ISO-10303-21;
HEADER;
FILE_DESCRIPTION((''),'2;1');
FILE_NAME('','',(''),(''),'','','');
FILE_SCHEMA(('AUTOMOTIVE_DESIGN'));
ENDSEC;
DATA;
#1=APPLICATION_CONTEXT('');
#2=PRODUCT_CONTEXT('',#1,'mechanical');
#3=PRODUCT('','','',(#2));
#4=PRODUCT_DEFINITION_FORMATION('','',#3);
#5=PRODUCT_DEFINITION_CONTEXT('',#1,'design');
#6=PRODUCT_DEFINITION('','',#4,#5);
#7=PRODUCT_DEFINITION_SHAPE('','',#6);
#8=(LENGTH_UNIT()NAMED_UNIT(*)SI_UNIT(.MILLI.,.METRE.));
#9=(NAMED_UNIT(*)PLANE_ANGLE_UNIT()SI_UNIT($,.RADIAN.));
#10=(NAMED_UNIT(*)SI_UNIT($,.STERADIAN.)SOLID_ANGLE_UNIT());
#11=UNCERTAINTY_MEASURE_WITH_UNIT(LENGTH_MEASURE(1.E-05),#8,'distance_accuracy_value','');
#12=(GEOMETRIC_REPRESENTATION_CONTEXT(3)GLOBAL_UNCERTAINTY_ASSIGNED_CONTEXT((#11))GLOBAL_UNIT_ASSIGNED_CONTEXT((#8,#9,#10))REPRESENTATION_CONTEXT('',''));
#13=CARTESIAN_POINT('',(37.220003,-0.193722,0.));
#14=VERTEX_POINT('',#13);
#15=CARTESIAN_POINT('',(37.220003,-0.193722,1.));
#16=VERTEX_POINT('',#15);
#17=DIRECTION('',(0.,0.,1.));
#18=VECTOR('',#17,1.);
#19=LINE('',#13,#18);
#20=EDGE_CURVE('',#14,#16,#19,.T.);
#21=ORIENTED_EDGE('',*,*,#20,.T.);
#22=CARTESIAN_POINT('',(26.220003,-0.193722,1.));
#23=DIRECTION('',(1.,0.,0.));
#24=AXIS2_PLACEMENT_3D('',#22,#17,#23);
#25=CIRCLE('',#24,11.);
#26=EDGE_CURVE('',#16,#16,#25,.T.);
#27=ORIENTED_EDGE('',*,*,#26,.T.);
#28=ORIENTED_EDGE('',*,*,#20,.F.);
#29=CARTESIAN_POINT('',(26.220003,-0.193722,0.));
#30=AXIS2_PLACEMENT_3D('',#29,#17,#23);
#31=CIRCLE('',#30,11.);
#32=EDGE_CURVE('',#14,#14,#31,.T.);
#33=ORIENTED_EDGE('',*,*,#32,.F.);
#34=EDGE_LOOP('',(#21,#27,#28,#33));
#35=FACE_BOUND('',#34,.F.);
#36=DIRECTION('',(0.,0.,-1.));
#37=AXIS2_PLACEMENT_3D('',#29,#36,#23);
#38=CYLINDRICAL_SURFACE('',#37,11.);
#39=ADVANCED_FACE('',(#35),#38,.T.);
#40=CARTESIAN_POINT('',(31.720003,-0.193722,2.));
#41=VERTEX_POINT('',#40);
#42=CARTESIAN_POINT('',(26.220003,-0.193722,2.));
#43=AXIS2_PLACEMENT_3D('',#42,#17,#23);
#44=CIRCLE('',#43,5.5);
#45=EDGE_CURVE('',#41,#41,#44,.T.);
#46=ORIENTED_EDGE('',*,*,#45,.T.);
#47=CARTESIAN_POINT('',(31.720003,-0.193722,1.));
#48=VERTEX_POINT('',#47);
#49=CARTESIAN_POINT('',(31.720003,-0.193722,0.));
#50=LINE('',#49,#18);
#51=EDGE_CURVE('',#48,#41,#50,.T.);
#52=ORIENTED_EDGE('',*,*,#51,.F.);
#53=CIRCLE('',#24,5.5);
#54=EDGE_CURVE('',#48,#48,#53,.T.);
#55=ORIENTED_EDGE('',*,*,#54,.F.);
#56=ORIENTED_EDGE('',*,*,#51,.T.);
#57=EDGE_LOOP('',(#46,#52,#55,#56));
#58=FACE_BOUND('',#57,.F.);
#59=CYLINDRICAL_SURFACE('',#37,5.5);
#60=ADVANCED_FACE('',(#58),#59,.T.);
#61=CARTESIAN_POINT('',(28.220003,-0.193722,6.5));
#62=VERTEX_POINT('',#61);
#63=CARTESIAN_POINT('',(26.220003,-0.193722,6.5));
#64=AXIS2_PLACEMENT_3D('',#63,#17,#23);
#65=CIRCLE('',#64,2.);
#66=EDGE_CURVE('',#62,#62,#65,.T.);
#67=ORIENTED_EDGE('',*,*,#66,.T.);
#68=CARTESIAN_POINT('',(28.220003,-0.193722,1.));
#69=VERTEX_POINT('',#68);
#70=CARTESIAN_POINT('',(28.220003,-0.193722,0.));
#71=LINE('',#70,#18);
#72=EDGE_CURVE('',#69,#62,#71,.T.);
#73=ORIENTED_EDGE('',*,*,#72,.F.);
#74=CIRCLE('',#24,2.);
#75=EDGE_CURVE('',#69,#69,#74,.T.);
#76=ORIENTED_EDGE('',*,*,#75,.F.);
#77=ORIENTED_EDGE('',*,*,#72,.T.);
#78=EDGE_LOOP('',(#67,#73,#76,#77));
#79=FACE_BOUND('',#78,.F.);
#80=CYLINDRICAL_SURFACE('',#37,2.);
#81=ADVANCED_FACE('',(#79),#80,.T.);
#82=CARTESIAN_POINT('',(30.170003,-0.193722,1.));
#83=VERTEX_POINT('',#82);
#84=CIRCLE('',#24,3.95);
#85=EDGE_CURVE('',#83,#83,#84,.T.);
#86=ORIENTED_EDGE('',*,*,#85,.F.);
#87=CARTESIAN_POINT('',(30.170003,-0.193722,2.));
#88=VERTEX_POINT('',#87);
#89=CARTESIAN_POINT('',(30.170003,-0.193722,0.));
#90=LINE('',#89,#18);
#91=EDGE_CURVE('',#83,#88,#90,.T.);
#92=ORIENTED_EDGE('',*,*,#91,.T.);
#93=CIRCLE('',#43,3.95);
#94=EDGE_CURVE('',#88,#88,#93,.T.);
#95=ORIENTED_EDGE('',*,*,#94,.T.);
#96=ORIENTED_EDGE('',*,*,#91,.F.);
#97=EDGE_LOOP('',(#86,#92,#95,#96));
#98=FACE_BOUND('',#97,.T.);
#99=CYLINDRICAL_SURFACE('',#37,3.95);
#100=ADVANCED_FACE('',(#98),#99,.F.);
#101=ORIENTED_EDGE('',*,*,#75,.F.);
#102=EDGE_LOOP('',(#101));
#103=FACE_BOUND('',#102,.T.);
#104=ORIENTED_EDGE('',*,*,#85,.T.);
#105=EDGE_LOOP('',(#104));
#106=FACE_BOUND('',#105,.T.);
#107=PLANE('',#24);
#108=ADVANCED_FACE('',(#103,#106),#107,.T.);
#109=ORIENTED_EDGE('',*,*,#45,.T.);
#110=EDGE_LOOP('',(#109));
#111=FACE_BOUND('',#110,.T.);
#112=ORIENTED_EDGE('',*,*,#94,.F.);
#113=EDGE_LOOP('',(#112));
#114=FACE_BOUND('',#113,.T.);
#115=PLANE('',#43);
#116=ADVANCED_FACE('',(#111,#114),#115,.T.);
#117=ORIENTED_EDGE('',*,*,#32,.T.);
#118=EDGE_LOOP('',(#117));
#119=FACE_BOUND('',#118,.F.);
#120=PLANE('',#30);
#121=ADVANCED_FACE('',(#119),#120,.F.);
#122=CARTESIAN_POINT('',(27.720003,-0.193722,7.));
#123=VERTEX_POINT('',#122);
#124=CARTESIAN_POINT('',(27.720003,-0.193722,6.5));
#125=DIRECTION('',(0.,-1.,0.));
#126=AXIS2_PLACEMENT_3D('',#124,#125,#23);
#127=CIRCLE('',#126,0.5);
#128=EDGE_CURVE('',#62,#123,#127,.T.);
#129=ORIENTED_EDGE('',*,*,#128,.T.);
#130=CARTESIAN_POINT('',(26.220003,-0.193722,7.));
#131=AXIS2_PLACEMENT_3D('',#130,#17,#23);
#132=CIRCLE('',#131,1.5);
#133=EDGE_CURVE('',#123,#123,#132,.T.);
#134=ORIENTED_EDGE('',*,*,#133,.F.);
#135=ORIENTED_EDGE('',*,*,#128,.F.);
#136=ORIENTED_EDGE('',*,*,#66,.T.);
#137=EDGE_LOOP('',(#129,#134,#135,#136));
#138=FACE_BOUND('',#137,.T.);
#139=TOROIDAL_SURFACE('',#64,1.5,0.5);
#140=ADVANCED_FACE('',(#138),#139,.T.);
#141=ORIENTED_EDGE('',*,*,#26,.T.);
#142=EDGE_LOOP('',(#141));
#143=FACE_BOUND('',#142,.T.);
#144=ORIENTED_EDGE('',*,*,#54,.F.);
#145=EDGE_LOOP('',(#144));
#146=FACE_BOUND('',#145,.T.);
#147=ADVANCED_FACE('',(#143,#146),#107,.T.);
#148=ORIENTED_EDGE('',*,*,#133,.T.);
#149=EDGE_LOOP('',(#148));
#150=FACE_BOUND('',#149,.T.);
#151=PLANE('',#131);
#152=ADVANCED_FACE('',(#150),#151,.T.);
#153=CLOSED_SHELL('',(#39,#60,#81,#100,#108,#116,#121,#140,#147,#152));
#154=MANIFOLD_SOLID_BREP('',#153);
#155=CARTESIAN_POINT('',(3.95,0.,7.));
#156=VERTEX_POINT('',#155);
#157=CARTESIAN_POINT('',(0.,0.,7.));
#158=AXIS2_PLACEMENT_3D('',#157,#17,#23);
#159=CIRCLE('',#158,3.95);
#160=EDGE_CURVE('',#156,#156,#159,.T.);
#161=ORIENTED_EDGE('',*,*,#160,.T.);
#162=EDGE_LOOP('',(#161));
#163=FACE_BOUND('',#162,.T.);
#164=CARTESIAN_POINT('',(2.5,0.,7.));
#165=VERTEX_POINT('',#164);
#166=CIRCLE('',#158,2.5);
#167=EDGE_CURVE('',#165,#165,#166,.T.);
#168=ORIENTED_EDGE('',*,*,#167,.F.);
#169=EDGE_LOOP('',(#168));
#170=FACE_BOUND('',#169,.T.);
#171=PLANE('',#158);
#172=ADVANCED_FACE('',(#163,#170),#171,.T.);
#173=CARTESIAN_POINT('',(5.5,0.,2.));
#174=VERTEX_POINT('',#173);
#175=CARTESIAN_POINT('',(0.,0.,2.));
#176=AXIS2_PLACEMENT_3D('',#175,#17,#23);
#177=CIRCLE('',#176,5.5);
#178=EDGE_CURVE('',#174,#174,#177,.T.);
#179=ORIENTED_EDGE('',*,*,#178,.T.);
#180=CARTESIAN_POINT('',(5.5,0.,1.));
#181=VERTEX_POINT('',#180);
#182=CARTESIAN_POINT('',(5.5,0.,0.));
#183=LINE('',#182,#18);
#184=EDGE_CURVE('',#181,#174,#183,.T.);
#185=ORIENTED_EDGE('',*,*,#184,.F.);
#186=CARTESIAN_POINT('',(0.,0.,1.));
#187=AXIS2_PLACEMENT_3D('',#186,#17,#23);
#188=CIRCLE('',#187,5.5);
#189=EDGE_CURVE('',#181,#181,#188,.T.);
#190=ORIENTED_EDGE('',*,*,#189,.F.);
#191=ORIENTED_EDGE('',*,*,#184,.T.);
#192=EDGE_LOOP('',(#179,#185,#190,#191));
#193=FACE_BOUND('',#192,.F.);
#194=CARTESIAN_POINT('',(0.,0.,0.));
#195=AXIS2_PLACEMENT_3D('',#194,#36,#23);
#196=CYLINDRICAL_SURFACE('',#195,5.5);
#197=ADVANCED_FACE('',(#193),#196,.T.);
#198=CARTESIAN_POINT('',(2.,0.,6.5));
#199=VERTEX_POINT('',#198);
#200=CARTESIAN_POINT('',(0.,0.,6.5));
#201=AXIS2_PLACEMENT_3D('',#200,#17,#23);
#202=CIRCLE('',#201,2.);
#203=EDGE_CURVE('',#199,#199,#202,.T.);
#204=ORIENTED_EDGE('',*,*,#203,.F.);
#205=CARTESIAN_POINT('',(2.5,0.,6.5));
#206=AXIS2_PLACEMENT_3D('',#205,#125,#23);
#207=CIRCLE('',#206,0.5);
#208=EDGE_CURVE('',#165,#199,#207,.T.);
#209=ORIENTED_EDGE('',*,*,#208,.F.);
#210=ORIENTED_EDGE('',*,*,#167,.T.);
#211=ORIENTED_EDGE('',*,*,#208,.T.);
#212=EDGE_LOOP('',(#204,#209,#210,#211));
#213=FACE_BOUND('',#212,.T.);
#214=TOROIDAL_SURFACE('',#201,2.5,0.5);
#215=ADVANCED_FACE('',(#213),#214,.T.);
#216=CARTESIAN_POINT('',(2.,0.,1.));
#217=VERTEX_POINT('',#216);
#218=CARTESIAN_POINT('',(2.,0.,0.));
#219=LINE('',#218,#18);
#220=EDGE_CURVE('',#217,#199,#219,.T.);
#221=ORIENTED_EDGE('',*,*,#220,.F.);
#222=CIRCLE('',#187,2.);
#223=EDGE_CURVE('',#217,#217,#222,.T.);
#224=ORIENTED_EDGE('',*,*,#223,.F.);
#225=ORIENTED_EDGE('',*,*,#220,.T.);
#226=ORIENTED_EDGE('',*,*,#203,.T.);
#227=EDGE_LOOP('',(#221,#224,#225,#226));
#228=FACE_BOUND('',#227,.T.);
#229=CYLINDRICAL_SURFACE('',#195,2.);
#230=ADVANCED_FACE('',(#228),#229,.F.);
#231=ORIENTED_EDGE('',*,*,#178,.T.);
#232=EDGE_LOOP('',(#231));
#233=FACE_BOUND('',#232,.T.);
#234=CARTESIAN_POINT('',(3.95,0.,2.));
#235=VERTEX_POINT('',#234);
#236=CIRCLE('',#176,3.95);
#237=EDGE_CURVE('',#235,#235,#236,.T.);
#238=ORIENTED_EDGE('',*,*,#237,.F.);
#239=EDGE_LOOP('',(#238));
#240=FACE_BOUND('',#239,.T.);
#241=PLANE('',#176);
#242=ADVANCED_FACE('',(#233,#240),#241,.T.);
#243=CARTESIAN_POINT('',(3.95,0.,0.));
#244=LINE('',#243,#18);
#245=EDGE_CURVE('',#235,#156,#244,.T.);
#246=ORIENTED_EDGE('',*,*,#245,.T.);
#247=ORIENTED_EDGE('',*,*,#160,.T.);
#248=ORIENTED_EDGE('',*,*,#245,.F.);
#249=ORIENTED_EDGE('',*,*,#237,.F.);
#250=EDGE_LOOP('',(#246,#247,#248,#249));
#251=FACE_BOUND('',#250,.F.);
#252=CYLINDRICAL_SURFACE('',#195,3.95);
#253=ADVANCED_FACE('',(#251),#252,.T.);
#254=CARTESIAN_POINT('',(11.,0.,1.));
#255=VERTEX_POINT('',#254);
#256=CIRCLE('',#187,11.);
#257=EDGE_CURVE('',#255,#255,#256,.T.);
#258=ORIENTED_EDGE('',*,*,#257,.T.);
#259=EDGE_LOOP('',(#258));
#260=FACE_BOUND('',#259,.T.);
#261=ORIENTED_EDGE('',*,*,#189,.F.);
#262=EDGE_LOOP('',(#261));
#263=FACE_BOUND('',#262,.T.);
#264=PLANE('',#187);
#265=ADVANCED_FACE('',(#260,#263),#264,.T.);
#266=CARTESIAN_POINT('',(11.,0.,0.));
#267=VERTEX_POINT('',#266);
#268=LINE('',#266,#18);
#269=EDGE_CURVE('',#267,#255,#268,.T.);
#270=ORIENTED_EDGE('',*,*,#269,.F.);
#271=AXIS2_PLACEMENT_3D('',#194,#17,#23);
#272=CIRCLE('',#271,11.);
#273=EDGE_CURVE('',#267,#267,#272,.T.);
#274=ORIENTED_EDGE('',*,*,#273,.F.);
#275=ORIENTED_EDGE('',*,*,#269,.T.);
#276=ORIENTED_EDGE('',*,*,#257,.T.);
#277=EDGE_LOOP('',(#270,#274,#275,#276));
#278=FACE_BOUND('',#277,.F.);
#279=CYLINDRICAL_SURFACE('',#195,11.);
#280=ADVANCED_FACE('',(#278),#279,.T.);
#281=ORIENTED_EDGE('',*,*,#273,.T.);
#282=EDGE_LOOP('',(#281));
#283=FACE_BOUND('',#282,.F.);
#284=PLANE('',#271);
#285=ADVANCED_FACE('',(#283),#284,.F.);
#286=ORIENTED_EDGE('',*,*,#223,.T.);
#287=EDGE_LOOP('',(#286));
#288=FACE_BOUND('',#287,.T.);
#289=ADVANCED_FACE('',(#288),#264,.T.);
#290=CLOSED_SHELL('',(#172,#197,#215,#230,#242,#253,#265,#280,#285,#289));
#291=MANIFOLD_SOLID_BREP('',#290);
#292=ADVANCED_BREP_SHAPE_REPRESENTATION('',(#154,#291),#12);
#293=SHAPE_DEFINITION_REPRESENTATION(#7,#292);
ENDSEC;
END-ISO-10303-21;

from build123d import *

# Parameters (mm, degrees)
F0_R     = 11
F0_R_2   = 5.5
F1_DEPTH = 1
F0_R_3   = 3.95
F2_DEPTH = 2
F0_R_4   = 2
F3_DEPTH = 7
F4_DEPTH = 1
F5_R     = 0.5
F5_2_R   = 0.5


with BuildPart() as f1:
    # F0 (on Top) → F1 (new body)
    with BuildSketch(Plane.XY):
        Circle(F0_R)
        Circle(F0_R_2, mode=Mode.SUBTRACT)
    extrude(amount=F1_DEPTH)

    # F0 (on Top) → F2 (join)
    with BuildSketch(Plane.XY):
        Circle(F0_R_2)
        Circle(F0_R_3, mode=Mode.SUBTRACT)
    extrude(amount=F2_DEPTH)

    # F0 (on Top) → F3 (join)
    with BuildSketch(Plane.XY):
        Circle(F0_R_3)
        Circle(F0_R_4, mode=Mode.SUBTRACT)
    extrude(amount=F3_DEPTH)

    # F0 (on Top) → F4, piece 2 (join)
    with BuildSketch(Plane.XY):
        Circle(F0_R_4)
    extrude(amount=F4_DEPTH)

    # F5
    f5_edges = [f1.edges().sort_by_distance(p)[0] for p in [
        (-2, 0, 7),
    ]]
    fillet(f5_edges, radius=F5_R)


with BuildPart() as f1b:
    # F0 (on Top) → F1, piece 2 (new body)
    with BuildSketch(Plane.XY):
        with Locations((26.220003143, -0.1937223424)):
            Circle(F0_R)
        with Locations((26.220003143, -0.1937223424)):
            Circle(F0_R_2, mode=Mode.SUBTRACT)
    extrude(amount=F1_DEPTH)

    # F0 (on Top) → F2, piece 2 (join)
    with BuildSketch(Plane.XY):
        with Locations((26.220003143, -0.1937223424)):
            Circle(F0_R_2)
        with Locations((26.220003143, -0.1937223424)):
            Circle(F0_R_3, mode=Mode.SUBTRACT)
    extrude(amount=F2_DEPTH)



with BuildPart() as f3:
    # F0 (on Top) → F3, piece 2 (new body)
    with BuildSketch(Plane.XY):
        with Locations((26.220003143, -0.1937223424)):
            Circle(F0_R_4)
    extrude(amount=F3_DEPTH)


with BuildPart() as f1b_1:
    add(f1b.part)

    add(f3.part)  # F4 merges F3
    # F0 (on Top) → F4 (join)
    with BuildSketch(Plane.XY):
        with Locations((26.220003143, -0.1937223424)):
            Circle(F0_R_3)
        with Locations((26.220003143, -0.1937223424)):
            Circle(F0_R_4, mode=Mode.SUBTRACT)
    extrude(amount=F4_DEPTH)

    # F5#2
    f5_2_edges = [f1b_1.edges().sort_by_distance(p)[0] for p in [
        (24.220003, -0.193722, 7),
    ]]
    fillet(f5_2_edges, radius=F5_2_R)


solid = Compound([f1.part, f1b_1.part])
